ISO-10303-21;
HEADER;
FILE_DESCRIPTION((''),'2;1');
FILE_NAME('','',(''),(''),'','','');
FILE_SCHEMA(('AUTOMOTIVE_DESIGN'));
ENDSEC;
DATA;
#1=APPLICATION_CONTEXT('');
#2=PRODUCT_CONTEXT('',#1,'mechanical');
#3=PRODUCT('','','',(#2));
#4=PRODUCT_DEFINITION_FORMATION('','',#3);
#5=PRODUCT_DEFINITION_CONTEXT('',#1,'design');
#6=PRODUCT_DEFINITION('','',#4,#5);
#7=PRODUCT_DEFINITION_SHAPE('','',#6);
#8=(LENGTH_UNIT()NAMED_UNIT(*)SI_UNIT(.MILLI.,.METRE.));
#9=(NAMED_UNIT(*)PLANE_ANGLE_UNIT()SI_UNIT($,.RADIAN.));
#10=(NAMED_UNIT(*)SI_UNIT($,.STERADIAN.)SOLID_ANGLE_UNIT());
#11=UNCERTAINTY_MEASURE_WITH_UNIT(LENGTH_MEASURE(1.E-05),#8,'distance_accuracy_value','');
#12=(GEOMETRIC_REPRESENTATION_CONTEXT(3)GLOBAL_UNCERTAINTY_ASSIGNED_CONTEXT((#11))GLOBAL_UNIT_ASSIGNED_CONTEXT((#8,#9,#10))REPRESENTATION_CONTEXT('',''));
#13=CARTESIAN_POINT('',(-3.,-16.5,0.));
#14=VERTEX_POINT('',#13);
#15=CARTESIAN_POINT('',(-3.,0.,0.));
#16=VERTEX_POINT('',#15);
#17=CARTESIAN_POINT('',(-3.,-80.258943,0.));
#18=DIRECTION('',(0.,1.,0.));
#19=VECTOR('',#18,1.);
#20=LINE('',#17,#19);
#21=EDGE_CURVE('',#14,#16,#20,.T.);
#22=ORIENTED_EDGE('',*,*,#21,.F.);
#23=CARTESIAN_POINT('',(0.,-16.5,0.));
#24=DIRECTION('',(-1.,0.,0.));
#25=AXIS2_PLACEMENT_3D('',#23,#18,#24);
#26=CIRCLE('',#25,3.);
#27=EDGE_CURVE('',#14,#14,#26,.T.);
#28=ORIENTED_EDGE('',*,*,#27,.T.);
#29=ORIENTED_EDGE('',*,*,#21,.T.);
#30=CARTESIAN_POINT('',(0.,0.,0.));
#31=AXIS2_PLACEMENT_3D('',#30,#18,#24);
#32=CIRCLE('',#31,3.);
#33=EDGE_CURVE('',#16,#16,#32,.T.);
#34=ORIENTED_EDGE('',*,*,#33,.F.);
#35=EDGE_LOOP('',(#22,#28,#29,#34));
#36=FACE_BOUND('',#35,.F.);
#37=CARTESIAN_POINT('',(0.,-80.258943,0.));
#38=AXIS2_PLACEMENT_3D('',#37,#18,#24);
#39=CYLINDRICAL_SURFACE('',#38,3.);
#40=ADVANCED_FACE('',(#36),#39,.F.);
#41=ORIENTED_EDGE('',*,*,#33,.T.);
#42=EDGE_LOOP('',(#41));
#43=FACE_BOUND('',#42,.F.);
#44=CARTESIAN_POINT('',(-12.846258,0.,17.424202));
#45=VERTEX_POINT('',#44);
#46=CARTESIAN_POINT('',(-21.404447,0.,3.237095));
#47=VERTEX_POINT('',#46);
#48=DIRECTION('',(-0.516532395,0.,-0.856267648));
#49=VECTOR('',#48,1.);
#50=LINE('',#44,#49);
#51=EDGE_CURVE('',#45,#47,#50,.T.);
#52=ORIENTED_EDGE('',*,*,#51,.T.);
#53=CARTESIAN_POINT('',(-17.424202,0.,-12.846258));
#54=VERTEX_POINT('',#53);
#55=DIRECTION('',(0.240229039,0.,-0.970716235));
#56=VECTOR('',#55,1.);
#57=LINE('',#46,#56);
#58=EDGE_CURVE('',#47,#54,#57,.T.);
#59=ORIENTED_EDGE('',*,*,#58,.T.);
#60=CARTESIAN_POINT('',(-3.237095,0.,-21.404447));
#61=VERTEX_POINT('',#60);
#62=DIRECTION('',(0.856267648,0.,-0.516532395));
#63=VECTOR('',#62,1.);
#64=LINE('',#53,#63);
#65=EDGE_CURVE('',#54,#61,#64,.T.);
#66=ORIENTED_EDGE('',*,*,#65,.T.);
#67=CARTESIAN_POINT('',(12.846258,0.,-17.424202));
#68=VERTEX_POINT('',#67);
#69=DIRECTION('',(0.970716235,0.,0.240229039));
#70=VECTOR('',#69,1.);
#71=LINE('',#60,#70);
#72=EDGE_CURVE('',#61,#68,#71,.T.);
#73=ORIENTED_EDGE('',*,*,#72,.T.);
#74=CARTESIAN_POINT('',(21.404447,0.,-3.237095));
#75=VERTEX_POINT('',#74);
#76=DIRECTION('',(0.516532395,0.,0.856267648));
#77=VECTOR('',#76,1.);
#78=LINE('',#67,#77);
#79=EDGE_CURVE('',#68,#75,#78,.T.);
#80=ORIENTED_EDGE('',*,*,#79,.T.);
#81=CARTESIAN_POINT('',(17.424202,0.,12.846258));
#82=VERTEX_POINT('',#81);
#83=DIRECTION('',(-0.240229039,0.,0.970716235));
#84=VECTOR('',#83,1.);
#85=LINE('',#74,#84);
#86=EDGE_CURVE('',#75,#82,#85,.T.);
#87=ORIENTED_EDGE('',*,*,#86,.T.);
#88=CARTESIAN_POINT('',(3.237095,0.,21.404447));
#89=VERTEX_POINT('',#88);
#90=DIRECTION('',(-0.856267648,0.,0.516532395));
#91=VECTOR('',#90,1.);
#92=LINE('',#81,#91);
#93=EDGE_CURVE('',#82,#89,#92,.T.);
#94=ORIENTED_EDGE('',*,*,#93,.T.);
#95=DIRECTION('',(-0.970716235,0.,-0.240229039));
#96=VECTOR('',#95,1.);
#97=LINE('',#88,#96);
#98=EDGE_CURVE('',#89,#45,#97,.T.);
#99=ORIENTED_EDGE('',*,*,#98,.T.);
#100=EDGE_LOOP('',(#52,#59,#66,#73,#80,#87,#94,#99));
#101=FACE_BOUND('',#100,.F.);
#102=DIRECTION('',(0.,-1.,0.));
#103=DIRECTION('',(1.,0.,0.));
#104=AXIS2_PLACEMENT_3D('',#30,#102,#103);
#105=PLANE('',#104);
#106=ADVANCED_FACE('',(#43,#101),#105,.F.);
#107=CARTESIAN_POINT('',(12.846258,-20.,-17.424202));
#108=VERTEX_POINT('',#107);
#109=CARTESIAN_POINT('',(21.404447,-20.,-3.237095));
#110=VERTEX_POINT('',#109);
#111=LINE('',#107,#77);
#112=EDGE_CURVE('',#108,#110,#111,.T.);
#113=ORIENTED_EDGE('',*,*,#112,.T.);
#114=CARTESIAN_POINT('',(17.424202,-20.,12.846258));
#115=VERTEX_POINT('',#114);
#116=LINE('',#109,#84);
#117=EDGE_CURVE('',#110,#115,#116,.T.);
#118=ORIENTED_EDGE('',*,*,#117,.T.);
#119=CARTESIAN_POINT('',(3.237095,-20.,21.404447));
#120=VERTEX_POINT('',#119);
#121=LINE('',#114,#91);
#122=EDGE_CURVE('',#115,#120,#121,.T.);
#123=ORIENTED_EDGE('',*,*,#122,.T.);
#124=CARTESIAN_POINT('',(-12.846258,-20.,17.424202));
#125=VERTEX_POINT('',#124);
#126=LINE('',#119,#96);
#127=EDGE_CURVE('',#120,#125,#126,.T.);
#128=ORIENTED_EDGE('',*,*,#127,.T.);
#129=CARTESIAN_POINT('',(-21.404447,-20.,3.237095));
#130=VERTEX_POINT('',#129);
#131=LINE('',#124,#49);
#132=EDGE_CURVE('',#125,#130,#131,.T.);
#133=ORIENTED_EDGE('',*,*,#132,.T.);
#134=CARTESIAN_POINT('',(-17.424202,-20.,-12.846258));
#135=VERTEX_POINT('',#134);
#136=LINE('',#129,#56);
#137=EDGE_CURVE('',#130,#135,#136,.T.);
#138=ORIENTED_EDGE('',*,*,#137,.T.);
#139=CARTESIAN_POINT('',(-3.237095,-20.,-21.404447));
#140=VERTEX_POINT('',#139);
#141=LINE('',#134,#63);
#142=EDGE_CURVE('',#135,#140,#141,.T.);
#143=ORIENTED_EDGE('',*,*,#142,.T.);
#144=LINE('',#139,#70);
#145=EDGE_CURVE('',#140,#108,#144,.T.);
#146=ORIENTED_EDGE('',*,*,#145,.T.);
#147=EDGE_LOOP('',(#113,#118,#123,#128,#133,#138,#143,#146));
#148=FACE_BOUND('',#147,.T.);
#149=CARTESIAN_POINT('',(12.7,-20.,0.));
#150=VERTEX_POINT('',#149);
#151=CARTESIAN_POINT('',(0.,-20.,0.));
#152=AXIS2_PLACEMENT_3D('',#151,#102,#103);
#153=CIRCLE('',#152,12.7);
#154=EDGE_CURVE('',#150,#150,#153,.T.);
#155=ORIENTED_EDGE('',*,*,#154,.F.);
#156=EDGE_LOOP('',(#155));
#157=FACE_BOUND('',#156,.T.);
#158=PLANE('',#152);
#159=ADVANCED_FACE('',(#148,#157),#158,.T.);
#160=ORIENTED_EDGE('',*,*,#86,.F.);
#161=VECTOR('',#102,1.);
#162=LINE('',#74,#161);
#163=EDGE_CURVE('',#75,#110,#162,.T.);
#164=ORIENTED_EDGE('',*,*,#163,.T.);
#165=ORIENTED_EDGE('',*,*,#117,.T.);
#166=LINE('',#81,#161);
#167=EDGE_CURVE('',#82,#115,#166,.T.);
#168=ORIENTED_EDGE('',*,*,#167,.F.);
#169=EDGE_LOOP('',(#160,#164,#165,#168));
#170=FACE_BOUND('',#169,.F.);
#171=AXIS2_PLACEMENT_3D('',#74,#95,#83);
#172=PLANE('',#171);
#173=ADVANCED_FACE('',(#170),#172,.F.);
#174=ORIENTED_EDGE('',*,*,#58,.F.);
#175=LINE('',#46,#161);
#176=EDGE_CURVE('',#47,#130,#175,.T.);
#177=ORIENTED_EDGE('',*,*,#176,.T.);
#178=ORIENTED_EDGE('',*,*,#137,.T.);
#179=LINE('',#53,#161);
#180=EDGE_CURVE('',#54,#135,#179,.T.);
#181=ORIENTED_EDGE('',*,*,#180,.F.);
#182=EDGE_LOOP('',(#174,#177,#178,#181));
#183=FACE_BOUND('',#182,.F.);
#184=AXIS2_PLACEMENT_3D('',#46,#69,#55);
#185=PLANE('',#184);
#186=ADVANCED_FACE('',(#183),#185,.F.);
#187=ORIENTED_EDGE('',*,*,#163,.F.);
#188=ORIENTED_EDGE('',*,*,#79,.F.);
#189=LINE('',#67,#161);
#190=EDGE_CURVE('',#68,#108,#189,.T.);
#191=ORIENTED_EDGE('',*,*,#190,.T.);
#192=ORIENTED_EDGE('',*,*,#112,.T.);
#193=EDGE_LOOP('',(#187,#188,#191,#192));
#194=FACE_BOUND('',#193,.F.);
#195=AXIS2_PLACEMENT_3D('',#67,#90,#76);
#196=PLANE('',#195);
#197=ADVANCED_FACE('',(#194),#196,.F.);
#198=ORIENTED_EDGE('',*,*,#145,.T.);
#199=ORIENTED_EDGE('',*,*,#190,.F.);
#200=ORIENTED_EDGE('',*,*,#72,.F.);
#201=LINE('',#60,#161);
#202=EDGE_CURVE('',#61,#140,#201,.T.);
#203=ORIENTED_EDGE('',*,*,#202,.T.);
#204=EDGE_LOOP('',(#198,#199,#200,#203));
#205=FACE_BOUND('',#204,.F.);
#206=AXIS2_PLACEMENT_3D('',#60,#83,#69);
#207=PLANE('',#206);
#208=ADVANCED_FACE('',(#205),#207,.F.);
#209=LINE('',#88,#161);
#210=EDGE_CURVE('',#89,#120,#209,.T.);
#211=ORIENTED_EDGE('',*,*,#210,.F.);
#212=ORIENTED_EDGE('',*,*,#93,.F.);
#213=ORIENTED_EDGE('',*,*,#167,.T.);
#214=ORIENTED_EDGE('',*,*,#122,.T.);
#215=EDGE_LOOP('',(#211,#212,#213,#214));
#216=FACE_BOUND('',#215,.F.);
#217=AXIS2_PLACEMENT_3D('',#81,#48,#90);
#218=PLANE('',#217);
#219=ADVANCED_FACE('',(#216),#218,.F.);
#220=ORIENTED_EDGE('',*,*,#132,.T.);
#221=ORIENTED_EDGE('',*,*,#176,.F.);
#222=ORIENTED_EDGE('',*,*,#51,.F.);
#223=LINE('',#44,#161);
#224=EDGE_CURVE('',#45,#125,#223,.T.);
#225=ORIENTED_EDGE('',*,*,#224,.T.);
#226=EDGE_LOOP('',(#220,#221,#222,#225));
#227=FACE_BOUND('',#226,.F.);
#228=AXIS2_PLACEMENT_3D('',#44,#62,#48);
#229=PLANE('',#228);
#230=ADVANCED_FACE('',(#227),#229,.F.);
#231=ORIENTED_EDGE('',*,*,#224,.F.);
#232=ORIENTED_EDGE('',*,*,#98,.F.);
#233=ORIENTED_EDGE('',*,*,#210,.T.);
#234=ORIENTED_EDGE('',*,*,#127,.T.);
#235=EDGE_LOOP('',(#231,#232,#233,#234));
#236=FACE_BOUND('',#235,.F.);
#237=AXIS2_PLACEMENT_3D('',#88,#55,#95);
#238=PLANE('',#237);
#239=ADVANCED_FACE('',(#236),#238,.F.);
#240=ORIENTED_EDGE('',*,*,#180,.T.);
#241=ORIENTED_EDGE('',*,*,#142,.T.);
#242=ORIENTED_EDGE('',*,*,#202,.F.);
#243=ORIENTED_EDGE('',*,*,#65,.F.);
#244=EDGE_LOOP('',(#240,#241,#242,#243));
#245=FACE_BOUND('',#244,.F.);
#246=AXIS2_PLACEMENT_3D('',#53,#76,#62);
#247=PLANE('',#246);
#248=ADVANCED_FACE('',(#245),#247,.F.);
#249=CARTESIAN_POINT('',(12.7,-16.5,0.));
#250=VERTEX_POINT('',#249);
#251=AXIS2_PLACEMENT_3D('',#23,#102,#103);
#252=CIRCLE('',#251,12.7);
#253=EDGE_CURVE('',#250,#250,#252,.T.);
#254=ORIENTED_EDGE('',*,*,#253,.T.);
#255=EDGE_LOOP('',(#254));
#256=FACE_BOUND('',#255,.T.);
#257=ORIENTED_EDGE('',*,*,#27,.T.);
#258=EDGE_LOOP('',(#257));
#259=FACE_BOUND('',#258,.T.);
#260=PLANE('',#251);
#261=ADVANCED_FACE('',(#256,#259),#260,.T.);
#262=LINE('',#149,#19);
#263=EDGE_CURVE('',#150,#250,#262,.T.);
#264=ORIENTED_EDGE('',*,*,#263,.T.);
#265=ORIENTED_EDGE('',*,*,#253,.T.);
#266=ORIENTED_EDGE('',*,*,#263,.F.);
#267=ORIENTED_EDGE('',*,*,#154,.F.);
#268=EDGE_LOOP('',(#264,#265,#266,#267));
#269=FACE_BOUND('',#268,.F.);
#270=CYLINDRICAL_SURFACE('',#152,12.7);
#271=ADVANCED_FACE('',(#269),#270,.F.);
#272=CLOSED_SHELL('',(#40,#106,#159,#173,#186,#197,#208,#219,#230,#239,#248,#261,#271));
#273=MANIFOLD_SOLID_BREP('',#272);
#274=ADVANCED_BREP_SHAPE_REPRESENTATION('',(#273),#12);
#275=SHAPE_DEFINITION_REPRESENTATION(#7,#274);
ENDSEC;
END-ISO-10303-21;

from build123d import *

# Parameters (mm, degrees)
F1_DEPTH = 20
F2_R     = 12.7
F3_DEPTH = 3.5
F5_D     = 6


with BuildPart() as f1:
    # F0 (on Front) → F1 (new body)
    with BuildSketch(Plane.XZ):
        Polygon((17.424202, 12.846258), (3.237095, 21.404447), (-12.846258, 17.424202), (-21.404447, 3.237095), (-17.424202, -12.846258), (-3.237095, -21.404447), (12.846258, -17.424202), (21.404447, -3.237095), align=None)
    extrude(amount=F1_DEPTH)

    # F2 (on face) → F3 (cut)
    with BuildSketch(Plane.XZ.offset(20)):
        Circle(F2_R)
    extrude(amount=-F3_DEPTH, mode=Mode.SUBTRACT)

    # F5 (through all)
    with Locations(Plane.XZ.offset(16.5)):
        with Locations((0, 0)):
            Hole(F5_D / 2)


solid = f1.part
